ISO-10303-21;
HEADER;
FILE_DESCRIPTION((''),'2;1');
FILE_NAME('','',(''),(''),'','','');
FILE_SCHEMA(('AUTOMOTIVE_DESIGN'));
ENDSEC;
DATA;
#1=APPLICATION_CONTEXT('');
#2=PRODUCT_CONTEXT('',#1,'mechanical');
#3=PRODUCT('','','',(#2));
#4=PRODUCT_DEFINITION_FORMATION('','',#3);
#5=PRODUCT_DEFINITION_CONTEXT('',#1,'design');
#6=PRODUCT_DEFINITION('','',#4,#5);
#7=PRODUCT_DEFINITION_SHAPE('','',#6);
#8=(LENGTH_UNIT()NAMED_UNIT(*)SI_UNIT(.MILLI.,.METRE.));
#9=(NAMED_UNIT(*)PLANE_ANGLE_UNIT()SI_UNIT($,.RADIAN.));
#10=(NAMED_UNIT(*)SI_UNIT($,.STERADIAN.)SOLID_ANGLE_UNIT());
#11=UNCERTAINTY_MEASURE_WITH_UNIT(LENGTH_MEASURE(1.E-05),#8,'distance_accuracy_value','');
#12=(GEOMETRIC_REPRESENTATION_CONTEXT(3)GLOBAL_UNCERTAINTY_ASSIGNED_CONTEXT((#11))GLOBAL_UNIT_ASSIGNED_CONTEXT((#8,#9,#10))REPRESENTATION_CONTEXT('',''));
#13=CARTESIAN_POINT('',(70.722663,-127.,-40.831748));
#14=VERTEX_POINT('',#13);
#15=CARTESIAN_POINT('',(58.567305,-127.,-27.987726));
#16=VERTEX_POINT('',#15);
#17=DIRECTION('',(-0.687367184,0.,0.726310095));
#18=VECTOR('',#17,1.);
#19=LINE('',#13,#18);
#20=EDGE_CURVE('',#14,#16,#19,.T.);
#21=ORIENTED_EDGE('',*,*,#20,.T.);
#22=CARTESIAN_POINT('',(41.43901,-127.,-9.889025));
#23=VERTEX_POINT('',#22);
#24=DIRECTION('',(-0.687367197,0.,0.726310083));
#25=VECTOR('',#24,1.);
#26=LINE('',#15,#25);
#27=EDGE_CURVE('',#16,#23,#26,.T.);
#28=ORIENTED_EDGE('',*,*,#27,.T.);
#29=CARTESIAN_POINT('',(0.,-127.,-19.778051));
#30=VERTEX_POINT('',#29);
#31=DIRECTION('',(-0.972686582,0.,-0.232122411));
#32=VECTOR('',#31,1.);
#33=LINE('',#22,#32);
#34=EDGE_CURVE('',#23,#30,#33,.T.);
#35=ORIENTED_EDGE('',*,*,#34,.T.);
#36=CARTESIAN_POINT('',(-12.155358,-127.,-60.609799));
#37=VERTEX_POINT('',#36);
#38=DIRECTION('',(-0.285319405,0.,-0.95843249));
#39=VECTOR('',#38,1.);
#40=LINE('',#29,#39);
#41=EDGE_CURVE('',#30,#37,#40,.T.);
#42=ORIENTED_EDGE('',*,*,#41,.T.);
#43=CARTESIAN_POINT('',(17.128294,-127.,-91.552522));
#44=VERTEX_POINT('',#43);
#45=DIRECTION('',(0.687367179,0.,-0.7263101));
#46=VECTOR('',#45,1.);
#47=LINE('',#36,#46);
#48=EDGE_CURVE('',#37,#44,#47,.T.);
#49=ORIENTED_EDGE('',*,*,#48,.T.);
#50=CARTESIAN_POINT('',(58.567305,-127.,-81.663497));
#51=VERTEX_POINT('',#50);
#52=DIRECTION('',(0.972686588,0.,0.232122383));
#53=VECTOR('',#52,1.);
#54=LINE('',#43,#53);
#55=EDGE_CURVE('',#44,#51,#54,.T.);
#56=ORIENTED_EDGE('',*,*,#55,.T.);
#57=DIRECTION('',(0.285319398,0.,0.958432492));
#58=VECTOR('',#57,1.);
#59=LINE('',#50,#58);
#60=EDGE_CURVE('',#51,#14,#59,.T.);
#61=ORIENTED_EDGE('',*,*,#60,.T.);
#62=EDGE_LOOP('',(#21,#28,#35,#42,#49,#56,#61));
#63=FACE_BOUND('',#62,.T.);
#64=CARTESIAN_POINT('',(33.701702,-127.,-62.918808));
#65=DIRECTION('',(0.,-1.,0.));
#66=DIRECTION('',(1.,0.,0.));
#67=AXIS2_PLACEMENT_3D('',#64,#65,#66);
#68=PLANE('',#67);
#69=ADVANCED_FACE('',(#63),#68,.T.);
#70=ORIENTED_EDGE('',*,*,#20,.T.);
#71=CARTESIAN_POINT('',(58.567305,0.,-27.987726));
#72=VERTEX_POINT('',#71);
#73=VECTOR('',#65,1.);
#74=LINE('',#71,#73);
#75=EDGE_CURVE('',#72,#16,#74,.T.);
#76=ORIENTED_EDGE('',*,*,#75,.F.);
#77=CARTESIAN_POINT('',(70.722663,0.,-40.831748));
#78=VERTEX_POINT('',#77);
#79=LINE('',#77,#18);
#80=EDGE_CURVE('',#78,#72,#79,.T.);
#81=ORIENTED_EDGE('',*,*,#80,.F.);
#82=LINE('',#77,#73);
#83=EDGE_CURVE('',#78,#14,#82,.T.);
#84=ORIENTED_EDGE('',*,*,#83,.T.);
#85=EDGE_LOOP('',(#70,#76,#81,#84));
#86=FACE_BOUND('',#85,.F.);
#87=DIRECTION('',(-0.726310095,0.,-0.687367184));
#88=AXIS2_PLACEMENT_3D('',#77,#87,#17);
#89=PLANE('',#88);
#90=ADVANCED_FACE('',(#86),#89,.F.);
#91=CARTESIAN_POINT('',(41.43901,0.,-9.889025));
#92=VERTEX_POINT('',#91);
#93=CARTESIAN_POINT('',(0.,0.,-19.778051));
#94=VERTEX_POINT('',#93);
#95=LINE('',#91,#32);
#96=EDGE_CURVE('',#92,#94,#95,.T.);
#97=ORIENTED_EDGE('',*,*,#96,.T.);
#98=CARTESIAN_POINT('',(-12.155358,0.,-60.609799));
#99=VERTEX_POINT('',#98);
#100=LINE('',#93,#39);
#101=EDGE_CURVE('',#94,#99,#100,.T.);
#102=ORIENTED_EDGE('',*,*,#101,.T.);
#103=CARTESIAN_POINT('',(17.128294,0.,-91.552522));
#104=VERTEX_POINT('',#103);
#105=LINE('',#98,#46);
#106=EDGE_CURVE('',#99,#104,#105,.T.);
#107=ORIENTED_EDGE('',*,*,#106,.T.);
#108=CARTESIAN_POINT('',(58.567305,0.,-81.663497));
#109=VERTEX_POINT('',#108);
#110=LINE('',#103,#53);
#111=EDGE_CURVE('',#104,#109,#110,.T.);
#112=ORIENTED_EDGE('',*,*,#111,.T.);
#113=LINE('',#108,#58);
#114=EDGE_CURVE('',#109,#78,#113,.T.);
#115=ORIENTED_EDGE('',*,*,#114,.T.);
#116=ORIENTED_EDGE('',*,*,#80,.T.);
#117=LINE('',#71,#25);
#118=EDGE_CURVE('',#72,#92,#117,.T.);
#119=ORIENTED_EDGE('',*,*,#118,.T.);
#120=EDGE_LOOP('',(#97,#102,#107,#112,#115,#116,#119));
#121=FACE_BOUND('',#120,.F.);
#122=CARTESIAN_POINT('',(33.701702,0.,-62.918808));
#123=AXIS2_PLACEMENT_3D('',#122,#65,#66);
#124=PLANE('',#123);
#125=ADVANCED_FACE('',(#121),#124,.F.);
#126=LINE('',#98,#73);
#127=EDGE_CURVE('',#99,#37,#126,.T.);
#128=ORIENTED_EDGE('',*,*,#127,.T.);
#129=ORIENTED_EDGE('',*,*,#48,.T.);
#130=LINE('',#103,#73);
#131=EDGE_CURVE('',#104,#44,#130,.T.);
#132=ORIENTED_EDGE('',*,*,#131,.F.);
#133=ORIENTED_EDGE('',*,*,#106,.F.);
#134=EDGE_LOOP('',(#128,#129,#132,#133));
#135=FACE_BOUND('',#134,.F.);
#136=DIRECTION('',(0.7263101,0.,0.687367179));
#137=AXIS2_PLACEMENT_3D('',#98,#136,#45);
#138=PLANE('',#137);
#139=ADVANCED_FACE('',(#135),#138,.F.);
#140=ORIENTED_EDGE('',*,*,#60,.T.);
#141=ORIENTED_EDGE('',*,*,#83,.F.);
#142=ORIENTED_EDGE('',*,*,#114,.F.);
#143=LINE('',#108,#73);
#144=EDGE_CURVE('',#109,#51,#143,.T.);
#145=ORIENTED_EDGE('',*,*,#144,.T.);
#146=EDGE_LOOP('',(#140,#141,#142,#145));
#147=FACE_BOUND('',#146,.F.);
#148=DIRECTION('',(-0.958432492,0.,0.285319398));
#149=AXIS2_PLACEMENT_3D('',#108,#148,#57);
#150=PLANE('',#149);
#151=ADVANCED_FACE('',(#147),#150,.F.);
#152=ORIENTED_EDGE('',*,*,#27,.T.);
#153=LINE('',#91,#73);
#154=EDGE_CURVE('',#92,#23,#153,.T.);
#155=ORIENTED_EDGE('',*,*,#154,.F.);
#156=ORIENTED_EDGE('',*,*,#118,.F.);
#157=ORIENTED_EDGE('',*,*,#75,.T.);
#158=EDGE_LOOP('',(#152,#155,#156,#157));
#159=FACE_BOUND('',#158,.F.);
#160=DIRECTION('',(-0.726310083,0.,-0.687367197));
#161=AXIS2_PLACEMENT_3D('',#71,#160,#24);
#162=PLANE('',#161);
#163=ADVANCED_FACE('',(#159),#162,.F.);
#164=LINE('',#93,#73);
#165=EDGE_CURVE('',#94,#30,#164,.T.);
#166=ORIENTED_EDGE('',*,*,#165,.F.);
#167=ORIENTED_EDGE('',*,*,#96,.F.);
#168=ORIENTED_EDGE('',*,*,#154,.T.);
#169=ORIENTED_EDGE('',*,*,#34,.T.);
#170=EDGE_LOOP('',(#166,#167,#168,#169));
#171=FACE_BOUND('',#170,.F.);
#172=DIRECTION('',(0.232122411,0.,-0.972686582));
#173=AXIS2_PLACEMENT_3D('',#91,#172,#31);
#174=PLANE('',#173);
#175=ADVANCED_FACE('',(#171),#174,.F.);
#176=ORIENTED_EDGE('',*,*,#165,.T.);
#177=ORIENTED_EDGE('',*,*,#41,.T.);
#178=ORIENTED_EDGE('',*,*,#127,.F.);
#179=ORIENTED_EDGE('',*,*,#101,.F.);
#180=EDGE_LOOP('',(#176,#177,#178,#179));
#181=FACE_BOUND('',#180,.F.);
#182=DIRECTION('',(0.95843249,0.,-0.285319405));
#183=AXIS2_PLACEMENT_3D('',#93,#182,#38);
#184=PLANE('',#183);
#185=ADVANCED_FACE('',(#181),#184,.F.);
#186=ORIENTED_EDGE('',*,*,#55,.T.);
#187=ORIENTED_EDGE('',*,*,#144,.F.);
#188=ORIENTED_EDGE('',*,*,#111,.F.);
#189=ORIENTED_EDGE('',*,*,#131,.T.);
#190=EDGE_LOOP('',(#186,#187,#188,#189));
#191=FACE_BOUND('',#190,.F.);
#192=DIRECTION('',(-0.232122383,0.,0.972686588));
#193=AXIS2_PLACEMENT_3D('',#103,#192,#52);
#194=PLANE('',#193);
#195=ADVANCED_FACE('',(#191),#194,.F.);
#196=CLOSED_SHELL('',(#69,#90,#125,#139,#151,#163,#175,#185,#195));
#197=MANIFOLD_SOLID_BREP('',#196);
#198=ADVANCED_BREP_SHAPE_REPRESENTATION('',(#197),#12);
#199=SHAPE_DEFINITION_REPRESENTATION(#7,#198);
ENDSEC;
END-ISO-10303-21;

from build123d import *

# Parameters (mm, degrees)
F1_DEPTH = 127


with BuildPart() as f1:
    # F0 (on Front) → F1 (new body)
    with BuildSketch(Plane.XZ):
        Polygon((58.567305, -33.813849), (0, -67.627698), (-12.155358, -60.609799), (17.128294, -91.552522), (58.567305, -81.663497), (70.722663, -40.831748), (58.567305, -27.987726), align=None)
        Polygon((-12.155358, -60.609799), (0, -67.627698), (58.567305, -33.813849), (58.567305, -27.987726), (41.43901, -9.889025), (0, -19.778051), align=None)
    extrude(amount=F1_DEPTH)


solid = f1.part
